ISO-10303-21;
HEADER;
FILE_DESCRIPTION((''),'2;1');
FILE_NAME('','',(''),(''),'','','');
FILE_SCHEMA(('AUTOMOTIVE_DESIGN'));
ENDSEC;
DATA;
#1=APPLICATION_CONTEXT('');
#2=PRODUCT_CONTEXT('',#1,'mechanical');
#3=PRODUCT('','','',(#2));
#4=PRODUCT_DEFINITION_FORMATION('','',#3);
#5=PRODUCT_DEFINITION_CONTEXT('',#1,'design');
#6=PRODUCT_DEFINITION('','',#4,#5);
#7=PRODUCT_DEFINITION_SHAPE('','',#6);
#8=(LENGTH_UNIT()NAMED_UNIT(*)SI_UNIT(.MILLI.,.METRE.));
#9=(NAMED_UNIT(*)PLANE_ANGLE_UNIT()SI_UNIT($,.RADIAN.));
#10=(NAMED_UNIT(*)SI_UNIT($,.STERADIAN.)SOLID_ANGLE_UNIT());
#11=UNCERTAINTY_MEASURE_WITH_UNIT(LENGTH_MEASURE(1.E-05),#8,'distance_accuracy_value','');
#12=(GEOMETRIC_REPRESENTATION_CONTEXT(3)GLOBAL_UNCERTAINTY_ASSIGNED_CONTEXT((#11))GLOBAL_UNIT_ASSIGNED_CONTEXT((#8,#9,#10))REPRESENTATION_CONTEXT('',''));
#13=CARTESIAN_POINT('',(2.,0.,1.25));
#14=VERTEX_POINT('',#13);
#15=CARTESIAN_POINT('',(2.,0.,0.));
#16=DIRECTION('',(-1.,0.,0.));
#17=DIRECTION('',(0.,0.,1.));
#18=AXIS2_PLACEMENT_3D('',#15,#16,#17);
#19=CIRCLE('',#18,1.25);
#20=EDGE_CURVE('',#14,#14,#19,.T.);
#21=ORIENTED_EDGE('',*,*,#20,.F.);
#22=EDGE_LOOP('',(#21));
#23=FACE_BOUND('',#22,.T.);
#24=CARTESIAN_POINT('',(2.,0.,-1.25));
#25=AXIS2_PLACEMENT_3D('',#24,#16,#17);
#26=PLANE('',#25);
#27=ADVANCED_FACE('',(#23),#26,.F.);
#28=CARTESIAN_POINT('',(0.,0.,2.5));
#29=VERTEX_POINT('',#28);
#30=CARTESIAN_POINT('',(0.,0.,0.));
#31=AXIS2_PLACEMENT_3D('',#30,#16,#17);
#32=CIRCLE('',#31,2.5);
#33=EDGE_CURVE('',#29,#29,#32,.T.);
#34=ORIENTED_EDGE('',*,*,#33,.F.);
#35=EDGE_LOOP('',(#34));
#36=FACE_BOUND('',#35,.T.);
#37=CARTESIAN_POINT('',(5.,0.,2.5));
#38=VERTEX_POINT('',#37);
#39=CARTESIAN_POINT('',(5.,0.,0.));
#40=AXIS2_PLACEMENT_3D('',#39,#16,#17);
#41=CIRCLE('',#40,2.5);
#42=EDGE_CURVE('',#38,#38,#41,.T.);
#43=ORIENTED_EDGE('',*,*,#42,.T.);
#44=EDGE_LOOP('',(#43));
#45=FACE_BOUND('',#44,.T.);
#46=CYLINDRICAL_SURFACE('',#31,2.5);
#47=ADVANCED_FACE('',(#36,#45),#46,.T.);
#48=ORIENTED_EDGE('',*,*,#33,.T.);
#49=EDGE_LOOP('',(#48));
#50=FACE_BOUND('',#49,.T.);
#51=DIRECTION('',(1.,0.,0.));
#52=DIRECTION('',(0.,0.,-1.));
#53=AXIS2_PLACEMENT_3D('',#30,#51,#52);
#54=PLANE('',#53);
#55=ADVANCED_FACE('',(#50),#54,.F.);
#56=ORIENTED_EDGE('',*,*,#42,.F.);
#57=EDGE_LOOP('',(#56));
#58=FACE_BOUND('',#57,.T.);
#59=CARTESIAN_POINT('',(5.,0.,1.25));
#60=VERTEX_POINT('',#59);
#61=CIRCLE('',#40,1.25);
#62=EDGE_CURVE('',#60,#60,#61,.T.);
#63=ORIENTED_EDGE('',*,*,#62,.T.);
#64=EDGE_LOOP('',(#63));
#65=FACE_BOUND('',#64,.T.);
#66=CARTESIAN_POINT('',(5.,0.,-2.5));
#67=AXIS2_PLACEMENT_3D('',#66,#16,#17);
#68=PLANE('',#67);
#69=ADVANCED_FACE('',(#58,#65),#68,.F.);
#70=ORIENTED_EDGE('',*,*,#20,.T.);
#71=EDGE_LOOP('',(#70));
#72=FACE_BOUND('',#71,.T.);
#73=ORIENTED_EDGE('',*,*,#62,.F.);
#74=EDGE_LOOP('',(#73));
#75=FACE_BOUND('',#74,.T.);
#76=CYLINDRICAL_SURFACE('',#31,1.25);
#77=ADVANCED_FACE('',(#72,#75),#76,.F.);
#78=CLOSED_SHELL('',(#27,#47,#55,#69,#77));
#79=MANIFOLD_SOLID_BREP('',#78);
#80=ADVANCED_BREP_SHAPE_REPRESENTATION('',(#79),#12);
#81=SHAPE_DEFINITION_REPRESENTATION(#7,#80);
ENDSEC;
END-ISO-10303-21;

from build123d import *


with BuildPart() as part:
    # Sketch1 → Revolve1 (revolve)
    with BuildSketch(Plane(origin=(0, 0, 0), x_dir=(1, 0, 0), z_dir=(0, 1, 0)), mode=Mode.PRIVATE) as revolve1_sk:
        Polygon((0, 0), (0, 2.5), (5, 2.5), (5, 1.25), (2, 1.25), (2, 0), align=None)
    revolve(revolve1_sk.sketch.rotate(Axis((0, 0, 0), (1, 0, 0)), 180), axis=Axis((0, 0, 0), (1, 0, 0)))


solid = part.part
